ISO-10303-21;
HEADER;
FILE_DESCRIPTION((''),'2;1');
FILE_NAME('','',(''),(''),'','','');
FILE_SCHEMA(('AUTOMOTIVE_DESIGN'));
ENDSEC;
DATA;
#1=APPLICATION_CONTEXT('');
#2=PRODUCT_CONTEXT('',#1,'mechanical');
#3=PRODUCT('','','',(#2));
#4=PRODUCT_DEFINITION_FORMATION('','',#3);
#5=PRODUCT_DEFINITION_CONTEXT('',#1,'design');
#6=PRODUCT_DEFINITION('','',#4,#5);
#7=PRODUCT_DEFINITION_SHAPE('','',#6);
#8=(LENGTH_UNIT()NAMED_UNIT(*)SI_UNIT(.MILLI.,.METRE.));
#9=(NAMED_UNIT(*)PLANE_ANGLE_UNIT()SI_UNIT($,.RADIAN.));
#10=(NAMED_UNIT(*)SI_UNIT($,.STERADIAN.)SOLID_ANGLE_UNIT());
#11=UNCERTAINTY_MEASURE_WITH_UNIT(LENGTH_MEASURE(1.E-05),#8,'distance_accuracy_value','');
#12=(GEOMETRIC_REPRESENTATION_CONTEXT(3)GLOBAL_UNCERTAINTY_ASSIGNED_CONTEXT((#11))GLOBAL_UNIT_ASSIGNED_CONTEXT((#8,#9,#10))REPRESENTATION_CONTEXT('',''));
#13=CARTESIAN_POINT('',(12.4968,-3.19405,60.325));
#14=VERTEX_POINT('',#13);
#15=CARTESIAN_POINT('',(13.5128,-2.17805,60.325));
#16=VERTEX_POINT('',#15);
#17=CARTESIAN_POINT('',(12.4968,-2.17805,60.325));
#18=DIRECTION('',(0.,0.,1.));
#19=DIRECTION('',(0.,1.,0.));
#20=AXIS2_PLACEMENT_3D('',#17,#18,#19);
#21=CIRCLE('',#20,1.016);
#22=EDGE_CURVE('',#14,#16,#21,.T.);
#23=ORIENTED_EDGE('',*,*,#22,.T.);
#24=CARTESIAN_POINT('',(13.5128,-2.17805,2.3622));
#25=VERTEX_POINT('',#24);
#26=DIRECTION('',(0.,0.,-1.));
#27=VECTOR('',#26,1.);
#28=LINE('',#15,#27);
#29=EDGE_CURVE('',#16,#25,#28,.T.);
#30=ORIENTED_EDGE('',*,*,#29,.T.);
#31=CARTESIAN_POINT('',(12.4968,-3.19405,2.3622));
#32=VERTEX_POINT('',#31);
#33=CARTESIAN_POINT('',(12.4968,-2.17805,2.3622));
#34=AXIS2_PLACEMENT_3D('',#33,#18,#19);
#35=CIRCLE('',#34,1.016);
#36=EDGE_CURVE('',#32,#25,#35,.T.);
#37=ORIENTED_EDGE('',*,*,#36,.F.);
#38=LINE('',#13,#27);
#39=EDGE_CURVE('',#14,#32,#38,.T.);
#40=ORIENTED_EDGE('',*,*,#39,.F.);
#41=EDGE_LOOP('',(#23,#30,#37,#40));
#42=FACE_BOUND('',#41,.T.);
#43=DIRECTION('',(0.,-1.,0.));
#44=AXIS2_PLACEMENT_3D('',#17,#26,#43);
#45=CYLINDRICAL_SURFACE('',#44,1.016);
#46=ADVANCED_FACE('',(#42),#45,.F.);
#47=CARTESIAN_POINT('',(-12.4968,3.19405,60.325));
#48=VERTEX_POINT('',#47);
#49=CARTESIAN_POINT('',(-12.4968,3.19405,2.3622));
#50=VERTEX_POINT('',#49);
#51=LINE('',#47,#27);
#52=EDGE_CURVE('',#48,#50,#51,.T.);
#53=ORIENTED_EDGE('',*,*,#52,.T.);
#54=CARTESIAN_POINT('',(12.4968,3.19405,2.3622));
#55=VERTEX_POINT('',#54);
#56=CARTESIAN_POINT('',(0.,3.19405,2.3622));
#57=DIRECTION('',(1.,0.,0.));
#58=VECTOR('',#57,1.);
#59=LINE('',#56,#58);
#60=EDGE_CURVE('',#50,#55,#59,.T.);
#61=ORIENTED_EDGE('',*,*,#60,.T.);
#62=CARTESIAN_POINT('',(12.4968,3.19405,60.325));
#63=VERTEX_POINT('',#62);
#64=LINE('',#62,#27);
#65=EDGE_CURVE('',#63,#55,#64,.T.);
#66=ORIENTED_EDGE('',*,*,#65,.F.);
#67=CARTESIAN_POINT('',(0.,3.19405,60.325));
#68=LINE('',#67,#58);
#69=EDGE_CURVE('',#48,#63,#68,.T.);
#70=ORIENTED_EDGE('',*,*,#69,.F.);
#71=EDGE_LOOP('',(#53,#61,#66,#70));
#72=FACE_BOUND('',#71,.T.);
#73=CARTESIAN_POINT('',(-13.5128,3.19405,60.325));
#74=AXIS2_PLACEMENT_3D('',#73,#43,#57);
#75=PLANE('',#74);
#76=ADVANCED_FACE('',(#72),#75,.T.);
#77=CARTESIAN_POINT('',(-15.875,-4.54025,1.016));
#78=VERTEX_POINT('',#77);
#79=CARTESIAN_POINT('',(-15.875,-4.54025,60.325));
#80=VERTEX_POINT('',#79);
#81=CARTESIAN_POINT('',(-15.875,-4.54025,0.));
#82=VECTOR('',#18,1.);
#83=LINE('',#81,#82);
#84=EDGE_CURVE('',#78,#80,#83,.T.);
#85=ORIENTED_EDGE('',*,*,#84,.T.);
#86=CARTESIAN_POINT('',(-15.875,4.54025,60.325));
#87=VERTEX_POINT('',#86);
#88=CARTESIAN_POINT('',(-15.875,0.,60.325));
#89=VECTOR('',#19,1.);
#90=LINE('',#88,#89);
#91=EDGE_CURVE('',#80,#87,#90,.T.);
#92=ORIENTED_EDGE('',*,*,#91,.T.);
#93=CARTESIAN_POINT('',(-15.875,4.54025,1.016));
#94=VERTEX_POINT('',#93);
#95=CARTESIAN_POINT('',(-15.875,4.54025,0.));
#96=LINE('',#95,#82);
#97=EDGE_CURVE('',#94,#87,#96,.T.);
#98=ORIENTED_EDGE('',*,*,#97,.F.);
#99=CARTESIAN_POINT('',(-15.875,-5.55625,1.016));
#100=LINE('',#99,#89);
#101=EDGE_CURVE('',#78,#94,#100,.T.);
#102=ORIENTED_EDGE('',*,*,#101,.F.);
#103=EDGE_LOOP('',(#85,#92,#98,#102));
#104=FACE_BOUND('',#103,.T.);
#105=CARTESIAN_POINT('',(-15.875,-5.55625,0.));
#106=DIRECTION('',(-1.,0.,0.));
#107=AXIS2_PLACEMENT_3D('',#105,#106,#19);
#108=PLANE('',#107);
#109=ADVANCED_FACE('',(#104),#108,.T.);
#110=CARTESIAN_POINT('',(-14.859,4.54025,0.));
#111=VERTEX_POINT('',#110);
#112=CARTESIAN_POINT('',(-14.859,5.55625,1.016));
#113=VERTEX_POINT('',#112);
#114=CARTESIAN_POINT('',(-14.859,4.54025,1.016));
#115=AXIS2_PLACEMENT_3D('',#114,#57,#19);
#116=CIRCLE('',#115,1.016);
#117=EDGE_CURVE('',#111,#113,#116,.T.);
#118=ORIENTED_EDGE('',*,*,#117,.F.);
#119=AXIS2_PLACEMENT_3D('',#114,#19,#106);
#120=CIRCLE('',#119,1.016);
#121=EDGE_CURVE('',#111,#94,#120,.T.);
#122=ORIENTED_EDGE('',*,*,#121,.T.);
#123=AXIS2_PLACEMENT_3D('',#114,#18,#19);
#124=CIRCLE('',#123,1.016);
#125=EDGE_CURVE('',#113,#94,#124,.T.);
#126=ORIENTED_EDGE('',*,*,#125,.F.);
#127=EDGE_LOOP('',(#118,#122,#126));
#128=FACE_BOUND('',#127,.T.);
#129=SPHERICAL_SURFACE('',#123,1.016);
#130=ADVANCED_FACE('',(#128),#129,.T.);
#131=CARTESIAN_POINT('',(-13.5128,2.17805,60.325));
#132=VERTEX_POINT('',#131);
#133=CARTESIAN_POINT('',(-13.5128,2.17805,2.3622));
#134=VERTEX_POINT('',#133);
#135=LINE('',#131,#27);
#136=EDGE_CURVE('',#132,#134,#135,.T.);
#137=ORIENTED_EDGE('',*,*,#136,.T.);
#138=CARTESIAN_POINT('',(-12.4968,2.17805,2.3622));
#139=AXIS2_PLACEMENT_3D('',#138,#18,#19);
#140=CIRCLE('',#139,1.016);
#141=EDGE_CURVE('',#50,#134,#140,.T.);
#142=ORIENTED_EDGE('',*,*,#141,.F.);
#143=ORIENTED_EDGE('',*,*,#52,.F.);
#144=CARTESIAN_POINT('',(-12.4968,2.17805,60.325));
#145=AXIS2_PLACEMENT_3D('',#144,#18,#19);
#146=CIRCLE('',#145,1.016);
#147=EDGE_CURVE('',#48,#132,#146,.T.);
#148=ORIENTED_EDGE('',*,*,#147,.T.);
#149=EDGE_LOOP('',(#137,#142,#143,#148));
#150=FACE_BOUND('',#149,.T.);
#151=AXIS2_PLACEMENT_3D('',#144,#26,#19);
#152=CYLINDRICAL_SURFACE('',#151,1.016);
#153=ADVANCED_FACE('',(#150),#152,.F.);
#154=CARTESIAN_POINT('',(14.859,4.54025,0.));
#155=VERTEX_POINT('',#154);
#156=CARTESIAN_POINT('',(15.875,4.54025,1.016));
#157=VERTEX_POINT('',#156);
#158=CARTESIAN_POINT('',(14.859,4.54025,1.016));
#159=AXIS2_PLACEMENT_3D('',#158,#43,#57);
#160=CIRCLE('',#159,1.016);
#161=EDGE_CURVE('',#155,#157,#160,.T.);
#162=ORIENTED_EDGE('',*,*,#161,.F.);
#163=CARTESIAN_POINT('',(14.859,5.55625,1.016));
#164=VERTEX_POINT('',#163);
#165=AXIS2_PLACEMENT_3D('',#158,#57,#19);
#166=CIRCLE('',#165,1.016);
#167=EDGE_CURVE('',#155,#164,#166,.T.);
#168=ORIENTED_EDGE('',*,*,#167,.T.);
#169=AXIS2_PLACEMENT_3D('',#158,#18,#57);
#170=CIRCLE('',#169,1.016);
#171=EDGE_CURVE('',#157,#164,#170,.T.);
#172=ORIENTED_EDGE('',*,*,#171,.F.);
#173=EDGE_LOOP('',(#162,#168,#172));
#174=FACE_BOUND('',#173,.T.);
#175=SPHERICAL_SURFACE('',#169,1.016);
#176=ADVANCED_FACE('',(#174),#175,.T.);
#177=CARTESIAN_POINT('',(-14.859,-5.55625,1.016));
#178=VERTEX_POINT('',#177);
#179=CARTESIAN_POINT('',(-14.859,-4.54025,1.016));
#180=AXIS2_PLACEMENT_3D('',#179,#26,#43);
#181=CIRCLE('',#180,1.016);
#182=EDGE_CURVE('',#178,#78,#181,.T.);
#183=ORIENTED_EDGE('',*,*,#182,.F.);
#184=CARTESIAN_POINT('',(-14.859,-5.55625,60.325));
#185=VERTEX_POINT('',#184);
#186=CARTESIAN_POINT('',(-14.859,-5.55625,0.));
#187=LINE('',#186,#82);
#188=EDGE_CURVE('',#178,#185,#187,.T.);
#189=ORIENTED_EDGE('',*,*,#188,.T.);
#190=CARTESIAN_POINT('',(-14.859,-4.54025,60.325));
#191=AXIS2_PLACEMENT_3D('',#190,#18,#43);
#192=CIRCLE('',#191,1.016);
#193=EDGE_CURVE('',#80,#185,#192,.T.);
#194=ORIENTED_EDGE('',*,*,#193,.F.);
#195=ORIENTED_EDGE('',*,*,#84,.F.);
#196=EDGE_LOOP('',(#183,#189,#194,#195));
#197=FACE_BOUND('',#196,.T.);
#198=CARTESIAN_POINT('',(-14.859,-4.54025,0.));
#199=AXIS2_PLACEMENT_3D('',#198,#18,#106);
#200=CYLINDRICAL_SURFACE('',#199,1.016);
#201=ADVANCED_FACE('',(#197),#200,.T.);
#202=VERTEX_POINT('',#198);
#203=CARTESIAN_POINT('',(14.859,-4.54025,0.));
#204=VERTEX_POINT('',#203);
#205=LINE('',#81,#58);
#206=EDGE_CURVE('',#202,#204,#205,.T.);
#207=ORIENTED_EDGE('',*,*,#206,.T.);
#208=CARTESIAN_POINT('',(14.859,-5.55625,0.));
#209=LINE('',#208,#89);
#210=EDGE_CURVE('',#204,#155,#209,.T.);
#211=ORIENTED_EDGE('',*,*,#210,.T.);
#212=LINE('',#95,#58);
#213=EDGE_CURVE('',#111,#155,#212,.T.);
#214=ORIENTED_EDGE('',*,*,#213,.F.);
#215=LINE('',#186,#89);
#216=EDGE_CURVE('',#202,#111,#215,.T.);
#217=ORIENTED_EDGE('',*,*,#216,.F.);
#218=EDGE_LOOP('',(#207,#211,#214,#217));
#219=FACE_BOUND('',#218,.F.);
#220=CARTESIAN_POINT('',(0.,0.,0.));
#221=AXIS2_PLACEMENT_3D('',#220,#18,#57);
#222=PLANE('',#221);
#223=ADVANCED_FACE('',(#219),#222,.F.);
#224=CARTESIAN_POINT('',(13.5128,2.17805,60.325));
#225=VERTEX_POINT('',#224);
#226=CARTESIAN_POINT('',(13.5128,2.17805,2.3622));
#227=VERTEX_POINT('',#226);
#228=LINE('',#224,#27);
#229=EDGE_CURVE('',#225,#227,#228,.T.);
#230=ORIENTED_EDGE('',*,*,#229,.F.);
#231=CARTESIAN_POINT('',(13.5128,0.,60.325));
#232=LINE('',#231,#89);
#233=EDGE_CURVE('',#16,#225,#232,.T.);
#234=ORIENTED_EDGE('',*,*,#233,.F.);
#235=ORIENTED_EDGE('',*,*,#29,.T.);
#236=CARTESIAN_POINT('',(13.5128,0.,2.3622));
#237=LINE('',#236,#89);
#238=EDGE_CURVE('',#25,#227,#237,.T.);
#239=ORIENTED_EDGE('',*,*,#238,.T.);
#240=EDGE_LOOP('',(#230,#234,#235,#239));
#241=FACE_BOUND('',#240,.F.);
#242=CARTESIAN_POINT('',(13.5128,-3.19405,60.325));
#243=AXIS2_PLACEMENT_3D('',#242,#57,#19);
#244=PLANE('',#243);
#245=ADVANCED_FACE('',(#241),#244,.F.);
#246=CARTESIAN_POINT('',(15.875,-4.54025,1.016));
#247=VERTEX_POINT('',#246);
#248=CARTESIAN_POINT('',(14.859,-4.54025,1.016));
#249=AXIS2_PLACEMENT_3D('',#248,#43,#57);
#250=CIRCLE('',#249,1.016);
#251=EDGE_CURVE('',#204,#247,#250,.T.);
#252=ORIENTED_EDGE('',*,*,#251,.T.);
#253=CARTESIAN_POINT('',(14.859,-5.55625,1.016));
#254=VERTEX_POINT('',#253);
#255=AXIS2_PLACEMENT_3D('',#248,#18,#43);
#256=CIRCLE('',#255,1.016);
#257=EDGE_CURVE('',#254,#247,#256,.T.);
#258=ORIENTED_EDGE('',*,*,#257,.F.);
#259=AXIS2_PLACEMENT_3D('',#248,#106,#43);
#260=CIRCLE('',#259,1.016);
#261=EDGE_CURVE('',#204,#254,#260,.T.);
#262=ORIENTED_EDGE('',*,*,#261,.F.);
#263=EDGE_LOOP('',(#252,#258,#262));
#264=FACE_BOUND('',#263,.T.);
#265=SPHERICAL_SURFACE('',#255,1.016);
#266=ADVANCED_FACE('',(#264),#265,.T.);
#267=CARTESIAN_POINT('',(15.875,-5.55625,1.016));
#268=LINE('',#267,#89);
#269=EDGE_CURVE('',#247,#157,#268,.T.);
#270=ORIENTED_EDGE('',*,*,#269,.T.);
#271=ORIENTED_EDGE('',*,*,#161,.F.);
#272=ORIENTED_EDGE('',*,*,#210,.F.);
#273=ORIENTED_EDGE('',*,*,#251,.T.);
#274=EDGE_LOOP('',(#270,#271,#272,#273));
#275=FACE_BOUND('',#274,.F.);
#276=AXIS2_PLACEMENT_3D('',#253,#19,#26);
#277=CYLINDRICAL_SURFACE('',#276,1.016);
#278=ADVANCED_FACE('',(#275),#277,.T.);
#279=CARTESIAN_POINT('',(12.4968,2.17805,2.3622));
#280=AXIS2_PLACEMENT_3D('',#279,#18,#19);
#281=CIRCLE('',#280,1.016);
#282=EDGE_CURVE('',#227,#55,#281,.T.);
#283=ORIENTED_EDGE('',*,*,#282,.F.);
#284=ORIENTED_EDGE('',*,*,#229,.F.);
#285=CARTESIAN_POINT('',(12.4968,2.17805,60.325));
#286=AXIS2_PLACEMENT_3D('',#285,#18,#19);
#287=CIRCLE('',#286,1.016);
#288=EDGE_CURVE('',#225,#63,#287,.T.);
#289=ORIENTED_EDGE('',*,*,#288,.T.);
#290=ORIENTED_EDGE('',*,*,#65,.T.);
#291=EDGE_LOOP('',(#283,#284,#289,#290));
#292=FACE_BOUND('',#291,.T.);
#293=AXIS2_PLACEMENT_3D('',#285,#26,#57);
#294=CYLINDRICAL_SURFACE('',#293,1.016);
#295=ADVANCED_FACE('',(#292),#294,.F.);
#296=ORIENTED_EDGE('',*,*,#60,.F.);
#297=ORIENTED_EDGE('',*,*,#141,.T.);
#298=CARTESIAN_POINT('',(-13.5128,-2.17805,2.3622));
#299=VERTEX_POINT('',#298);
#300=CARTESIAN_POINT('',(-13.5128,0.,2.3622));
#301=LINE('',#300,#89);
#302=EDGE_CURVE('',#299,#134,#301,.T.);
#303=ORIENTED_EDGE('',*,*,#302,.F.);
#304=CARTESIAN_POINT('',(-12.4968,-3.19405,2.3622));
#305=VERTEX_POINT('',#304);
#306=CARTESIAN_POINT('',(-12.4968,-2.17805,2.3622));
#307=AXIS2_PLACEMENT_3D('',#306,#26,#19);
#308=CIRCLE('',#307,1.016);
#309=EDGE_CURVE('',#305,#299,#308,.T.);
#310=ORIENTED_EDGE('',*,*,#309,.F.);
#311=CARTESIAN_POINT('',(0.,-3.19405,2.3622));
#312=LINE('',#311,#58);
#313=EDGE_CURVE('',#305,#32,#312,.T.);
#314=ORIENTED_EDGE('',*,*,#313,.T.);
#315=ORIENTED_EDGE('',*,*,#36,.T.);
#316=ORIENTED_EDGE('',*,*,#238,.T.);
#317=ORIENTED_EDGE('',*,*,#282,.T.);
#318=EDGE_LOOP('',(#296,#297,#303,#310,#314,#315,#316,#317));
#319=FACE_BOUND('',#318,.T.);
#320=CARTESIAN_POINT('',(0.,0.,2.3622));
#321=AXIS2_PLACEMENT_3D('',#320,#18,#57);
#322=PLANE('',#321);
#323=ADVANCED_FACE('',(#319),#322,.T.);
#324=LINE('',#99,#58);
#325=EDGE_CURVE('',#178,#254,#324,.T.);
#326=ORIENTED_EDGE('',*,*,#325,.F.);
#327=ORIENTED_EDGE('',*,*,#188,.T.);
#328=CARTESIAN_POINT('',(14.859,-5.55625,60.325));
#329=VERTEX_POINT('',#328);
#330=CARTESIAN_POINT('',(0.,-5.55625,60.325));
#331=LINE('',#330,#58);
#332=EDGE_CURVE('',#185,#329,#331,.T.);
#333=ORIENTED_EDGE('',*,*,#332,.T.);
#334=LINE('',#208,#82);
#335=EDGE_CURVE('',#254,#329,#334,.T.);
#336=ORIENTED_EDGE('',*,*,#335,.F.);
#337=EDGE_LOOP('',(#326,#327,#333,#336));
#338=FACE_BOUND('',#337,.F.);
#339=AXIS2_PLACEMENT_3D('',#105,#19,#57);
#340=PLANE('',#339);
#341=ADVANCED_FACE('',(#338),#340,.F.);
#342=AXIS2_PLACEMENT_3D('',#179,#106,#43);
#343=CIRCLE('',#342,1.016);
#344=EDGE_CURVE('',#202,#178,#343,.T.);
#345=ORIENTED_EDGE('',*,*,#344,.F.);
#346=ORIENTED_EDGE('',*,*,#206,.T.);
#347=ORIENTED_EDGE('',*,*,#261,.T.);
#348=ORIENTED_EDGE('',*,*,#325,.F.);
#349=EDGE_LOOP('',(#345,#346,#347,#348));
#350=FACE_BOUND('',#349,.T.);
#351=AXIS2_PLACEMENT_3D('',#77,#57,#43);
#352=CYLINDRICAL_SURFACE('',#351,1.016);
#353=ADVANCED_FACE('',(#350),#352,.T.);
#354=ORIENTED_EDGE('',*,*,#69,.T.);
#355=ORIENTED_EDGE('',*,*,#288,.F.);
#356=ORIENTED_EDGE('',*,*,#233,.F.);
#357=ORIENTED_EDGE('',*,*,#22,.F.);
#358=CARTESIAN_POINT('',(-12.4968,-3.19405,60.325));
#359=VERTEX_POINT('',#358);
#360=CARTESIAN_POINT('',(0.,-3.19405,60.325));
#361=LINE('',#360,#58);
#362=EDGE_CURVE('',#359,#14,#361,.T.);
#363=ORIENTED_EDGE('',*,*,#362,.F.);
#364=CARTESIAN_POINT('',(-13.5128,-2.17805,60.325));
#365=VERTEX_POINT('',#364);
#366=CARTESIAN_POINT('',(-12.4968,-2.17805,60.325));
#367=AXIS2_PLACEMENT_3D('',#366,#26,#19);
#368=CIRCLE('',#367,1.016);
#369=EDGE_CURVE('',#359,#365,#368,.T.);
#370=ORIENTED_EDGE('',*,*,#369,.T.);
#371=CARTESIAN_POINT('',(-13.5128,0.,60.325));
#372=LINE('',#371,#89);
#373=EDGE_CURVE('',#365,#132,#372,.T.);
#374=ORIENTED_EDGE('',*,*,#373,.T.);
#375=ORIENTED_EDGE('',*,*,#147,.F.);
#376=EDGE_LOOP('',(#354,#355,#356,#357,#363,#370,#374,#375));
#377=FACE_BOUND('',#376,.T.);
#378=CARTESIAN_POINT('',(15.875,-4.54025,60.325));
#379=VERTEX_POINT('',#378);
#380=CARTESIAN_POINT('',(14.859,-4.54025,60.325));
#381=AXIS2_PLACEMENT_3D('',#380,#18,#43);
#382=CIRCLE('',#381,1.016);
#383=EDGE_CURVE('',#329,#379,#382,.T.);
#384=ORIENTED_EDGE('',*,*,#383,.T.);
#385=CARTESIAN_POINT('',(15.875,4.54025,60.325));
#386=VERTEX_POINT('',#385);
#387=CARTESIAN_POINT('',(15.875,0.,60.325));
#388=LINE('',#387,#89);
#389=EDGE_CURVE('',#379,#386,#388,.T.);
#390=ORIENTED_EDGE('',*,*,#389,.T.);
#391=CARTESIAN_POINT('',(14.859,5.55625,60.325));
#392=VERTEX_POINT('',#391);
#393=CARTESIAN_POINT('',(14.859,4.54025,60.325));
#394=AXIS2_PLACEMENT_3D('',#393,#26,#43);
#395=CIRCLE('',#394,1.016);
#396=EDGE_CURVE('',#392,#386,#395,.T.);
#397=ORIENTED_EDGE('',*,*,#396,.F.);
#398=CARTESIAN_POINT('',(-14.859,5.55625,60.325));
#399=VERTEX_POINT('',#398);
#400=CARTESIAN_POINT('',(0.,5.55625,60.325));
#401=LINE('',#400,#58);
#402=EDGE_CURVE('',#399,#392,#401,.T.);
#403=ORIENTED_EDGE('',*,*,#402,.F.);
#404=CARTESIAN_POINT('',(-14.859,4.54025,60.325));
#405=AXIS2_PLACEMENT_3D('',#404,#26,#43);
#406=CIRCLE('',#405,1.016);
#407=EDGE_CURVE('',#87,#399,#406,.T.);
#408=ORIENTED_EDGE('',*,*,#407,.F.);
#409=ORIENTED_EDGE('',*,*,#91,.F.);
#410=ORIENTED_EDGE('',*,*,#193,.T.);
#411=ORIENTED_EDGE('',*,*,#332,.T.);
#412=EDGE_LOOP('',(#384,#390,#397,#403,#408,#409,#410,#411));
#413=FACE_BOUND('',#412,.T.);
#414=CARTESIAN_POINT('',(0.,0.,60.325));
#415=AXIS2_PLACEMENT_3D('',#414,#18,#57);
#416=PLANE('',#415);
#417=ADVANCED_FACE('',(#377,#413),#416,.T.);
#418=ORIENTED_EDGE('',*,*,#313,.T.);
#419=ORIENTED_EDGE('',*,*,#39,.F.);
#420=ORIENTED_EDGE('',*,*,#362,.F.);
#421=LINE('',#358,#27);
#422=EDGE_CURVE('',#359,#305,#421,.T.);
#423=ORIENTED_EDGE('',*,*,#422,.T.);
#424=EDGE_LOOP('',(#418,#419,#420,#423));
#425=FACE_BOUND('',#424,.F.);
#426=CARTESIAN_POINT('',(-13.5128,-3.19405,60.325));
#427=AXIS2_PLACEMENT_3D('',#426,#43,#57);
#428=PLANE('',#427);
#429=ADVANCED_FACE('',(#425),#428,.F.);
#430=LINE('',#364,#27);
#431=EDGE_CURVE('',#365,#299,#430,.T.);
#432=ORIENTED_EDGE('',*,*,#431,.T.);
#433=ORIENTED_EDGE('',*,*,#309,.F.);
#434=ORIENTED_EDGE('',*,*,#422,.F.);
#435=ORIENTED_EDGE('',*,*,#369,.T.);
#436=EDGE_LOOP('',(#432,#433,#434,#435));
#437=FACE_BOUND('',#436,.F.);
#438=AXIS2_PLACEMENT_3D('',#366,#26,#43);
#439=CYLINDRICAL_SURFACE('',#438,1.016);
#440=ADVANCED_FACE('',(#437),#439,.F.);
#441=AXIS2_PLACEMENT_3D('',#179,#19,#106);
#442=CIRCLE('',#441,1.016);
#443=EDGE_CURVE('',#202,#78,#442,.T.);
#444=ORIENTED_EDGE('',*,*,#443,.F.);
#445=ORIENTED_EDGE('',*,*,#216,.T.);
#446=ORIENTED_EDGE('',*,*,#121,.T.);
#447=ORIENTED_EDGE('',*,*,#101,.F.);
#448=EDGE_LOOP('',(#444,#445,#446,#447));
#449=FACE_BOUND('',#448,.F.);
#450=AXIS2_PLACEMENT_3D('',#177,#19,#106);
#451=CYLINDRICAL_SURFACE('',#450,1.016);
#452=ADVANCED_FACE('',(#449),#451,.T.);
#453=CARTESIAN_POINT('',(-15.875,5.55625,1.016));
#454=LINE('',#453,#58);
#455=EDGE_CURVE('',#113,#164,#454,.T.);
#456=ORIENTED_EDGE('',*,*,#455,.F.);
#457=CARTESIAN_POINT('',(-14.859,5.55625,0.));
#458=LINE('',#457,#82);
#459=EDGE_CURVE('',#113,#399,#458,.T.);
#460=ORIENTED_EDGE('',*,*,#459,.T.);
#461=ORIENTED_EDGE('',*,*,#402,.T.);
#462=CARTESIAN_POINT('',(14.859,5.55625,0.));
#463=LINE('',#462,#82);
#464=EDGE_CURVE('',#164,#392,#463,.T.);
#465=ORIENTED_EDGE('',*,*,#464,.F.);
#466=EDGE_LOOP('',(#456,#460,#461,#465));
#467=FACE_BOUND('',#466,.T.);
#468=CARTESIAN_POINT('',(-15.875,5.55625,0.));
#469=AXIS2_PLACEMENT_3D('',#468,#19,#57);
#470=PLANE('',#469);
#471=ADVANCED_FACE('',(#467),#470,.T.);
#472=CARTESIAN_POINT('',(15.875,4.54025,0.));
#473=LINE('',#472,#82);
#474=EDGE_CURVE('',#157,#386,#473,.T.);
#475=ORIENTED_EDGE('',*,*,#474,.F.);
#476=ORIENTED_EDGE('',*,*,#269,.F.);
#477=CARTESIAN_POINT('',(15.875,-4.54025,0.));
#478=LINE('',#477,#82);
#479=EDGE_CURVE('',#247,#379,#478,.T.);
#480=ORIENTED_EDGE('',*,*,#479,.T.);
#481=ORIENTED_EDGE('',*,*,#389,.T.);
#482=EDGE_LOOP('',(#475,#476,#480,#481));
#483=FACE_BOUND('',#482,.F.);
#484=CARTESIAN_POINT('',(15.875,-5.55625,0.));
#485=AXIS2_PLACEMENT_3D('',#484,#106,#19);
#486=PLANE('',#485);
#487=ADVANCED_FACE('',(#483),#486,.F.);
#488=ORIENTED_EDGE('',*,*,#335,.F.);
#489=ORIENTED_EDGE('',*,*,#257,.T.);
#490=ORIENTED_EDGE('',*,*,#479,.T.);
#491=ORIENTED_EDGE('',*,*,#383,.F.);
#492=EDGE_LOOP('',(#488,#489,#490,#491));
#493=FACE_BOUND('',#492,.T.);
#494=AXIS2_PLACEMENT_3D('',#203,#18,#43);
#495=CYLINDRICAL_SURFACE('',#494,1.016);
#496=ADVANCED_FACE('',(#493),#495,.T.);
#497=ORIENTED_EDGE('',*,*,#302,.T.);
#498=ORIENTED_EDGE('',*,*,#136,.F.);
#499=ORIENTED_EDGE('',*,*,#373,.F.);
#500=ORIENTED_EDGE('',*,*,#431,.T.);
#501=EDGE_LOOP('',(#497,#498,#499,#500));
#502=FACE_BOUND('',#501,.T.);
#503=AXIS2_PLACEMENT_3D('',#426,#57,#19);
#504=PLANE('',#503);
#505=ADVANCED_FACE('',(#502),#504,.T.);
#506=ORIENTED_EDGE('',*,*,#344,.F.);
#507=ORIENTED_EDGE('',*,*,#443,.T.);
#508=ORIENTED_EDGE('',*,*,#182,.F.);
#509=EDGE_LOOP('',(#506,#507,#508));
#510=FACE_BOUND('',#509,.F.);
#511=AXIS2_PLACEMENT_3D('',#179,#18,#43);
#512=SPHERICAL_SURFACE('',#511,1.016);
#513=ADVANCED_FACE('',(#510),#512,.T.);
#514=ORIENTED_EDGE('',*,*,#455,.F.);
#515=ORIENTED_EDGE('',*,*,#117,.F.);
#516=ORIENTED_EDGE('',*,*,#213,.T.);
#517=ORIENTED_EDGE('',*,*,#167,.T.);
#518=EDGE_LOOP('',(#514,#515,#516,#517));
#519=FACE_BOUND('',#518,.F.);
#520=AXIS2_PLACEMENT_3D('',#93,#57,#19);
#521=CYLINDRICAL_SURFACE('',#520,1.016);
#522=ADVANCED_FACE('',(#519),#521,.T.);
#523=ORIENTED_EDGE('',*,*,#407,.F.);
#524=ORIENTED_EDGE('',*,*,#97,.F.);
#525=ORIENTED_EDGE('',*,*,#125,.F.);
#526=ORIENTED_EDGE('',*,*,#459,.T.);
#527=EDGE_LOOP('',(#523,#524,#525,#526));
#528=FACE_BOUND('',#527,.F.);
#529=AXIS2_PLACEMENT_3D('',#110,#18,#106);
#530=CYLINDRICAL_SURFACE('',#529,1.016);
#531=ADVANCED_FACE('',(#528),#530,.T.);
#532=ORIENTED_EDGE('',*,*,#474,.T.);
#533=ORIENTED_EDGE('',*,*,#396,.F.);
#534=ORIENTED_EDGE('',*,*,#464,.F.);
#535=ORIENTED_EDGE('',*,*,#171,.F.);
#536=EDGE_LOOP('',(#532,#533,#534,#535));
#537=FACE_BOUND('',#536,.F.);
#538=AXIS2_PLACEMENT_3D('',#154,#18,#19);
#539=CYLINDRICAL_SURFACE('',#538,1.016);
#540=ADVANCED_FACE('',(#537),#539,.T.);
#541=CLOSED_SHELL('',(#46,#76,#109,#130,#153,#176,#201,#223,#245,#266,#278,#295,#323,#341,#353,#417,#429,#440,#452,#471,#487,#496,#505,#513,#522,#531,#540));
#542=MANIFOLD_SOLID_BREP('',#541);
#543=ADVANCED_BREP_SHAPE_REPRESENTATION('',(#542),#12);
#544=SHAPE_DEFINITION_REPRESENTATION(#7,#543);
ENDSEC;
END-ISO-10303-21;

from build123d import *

# Parameters (mm, degrees)
F0_W     = 31.75
F0_H     = 11.1125
F1_DEPTH = 60.325
F2_W     = 27.0256
F2_H     = 6.3881
F3_DEPTH = 57.9628
F4_R     = 1.016


with BuildPart() as f1:
    # F0 (on Top) → F1 (new body)
    with BuildSketch(Plane.XY):
        Rectangle(F0_W, F0_H)
    extrude(amount=F1_DEPTH)

    # F2 (on face) → F3 (cut)
    with BuildSketch(Plane.XY.offset(60.325)):
        Rectangle(F2_W, F2_H)
    extrude(amount=-F3_DEPTH, mode=Mode.SUBTRACT)

    # F4
    f4_edges = [f1.edges().sort_by_distance(p)[0] for p in [
        (-15.875, -5.55625, 30.1625),
        (15.875, -5.55625, 30.1625),
        (15.875, 5.55625, 30.1625),
        (-15.875, 5.55625, 30.1625),
        (13.5128, 3.19405, 31.3436),
        (-13.5128, 3.19405, 31.3436),
        (-13.5128, -3.19405, 31.3436),
        (13.5128, -3.19405, 31.3436),
        (0, -5.55625, 0),
        (15.875, 0, 0),
        (0, 5.55625, 0),
        (-15.875, 0, 0),
    ]]
    fillet(f4_edges, radius=F4_R)


solid = f1.part
